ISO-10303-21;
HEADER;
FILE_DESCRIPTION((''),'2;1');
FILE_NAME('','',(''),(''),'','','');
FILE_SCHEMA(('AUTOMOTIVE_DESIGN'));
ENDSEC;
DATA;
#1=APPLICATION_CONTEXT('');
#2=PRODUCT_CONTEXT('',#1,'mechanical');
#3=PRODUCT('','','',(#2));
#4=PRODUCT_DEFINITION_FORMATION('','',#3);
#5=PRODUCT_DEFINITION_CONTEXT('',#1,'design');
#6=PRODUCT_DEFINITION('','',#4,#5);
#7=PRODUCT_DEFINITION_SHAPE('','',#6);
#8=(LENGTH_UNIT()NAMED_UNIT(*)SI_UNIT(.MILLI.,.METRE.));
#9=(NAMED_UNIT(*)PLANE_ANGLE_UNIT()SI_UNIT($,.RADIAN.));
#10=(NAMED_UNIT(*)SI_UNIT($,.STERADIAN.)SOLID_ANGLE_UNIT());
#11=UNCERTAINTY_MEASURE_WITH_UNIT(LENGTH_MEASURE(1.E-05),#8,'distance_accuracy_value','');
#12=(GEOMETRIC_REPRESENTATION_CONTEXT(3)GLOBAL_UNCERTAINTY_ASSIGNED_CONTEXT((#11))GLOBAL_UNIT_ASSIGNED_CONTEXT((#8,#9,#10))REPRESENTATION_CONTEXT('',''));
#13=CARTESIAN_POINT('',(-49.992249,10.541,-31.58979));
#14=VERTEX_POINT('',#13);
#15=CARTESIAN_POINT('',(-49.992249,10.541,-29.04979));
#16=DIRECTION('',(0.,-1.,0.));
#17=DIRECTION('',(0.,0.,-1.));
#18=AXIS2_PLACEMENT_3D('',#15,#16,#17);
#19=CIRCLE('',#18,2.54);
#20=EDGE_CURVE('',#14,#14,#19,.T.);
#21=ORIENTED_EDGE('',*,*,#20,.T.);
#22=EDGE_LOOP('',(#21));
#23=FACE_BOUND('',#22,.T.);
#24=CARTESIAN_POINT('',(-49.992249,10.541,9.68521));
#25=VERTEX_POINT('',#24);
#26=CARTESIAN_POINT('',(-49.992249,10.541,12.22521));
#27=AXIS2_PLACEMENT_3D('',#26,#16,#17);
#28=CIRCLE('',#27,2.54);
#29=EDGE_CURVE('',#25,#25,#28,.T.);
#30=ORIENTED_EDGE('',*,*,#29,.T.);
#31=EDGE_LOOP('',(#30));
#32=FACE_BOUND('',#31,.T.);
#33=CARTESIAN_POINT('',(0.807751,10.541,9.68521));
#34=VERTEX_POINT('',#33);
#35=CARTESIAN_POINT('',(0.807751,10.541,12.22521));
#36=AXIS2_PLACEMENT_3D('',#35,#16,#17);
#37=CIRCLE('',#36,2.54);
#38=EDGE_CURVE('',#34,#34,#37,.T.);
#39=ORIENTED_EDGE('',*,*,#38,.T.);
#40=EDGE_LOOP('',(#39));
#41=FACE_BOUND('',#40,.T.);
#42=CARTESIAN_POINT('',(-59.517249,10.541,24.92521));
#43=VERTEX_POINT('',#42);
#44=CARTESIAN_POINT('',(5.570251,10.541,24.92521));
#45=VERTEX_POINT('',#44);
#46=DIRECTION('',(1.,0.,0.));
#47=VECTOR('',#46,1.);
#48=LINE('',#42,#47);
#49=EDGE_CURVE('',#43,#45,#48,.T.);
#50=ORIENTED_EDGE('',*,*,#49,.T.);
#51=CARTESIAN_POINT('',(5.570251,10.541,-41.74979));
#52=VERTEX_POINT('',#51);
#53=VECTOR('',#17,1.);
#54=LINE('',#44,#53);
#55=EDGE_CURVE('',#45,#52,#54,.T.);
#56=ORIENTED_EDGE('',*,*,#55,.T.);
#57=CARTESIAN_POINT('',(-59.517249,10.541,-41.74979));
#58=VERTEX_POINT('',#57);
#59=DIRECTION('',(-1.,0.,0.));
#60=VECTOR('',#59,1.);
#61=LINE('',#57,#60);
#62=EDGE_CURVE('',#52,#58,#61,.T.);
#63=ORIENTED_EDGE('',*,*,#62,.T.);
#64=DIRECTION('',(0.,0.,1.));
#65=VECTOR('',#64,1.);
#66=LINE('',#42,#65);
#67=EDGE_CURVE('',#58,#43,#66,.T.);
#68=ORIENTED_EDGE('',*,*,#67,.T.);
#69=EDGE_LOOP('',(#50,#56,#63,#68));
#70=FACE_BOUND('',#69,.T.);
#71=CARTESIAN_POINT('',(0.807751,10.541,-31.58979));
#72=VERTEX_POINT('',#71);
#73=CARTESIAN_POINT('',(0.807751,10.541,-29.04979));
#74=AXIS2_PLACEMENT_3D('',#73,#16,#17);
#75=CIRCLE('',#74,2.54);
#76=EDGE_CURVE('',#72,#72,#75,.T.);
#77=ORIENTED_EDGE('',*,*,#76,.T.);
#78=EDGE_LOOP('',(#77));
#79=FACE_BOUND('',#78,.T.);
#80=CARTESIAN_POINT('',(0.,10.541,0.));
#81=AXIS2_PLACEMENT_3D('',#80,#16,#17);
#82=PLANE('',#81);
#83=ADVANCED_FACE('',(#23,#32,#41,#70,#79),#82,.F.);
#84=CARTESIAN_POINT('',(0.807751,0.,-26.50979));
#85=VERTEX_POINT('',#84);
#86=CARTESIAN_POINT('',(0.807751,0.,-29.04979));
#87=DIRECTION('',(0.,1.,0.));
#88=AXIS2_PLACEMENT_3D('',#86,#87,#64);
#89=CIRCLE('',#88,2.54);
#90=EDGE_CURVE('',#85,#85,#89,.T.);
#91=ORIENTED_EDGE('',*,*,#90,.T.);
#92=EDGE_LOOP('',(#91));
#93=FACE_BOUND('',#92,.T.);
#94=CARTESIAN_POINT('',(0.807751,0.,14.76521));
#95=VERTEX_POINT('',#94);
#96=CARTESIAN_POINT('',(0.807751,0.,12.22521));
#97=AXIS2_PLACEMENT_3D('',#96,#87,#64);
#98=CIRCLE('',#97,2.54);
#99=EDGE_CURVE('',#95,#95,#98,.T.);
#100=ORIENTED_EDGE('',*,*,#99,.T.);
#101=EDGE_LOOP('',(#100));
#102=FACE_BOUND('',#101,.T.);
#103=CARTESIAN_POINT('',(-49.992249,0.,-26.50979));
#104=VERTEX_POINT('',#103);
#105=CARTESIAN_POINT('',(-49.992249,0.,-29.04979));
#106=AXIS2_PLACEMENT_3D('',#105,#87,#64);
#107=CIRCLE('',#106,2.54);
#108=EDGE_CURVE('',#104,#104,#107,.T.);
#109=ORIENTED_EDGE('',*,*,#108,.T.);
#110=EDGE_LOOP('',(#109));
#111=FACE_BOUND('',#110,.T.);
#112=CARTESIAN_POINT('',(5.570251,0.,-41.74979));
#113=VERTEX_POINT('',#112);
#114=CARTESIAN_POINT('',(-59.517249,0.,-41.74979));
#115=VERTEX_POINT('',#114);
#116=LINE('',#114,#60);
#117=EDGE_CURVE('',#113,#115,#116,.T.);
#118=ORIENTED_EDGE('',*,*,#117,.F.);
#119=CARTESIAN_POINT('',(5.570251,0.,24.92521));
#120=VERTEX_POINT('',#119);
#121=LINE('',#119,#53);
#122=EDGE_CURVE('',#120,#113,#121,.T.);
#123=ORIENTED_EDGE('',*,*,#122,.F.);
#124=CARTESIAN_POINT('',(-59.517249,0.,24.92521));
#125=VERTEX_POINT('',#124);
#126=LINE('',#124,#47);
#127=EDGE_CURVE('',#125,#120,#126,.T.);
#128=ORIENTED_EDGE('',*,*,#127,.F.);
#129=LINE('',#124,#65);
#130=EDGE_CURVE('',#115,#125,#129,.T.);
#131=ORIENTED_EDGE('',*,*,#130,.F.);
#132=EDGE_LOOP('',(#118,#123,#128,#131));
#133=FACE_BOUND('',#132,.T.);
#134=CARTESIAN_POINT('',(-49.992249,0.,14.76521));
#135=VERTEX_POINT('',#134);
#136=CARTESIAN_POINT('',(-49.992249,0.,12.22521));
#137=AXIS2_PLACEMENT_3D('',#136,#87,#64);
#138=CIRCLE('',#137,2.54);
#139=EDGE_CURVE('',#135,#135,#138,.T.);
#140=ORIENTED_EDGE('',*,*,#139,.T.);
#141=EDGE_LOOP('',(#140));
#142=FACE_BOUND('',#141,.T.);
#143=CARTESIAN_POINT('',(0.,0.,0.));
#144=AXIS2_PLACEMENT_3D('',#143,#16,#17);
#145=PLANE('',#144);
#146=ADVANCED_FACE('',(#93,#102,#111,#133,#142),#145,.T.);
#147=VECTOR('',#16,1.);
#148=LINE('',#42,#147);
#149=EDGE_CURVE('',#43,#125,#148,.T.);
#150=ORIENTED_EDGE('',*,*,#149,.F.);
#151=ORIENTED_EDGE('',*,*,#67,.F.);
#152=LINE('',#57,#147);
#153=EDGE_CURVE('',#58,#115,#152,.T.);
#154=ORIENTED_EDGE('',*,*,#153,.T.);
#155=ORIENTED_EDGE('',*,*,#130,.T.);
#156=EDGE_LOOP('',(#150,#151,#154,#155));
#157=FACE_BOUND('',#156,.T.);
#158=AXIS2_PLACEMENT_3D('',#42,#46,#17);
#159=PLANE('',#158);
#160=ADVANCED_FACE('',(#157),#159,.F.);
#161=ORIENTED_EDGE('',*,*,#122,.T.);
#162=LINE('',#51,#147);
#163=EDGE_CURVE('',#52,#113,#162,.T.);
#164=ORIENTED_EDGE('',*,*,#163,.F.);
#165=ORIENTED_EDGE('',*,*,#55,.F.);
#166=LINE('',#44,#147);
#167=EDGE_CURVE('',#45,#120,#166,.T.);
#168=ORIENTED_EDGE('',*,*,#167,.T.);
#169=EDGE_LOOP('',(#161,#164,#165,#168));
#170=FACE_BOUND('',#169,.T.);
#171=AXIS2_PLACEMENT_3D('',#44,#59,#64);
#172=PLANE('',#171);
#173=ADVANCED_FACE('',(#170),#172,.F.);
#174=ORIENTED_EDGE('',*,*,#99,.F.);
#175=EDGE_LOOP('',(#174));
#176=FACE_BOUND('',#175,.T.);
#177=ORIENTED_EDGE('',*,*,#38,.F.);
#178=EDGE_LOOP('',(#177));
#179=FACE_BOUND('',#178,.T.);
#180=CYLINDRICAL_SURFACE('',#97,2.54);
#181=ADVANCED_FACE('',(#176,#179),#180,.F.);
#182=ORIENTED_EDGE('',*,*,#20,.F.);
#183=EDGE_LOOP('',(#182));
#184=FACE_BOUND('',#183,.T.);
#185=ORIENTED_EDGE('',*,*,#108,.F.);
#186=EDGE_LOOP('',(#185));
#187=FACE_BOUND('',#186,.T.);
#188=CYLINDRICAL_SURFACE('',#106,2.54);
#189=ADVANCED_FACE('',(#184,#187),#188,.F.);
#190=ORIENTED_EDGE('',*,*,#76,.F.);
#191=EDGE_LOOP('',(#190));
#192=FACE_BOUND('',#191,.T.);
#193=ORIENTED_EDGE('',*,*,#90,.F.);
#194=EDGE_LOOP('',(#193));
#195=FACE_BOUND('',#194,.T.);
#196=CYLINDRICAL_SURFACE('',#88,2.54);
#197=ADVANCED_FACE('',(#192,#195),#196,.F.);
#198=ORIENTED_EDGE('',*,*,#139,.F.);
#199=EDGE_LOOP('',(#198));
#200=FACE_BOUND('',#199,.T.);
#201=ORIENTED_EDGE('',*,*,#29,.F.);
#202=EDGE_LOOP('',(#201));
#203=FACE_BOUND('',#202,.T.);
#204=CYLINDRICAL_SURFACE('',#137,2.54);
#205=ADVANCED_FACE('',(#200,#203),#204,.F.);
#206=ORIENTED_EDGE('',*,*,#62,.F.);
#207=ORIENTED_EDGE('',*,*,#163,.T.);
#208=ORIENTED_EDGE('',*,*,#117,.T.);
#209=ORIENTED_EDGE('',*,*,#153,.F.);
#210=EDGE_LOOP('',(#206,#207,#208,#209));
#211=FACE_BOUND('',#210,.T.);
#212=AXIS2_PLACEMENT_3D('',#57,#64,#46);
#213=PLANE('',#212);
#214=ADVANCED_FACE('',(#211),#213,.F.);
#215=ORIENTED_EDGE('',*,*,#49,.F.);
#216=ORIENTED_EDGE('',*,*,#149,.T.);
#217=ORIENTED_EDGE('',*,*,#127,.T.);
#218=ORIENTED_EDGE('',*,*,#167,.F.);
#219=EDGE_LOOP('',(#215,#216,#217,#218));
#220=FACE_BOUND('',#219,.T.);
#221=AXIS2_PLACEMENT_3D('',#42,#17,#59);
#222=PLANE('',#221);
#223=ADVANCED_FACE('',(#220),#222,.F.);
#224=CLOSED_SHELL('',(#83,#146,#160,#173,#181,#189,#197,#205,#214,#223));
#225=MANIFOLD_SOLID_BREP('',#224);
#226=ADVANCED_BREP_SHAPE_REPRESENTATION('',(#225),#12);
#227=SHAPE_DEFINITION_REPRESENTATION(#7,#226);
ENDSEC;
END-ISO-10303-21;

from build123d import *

# Parameters (mm, degrees)
SKETCH1_W               = 65.0875
SKETCH1_H               = 66.675
BOSS_EXTRUDE2_DEPTH     = 10.541
CUT_EXTRUDE1_DEPTH      = 74.460605516
CUT_EXTRUDE1_DEPTH_BACK = 74.460605516
SKETCH3_R               = 2.54


with BuildPart() as part:
    # Sketch1 → Boss-Extrude2 (new body)
    with BuildSketch(Plane(origin=(0, 0, 0), x_dir=(1, 0, 0), z_dir=(0, 1, 0))):
        with Locations((-26.973498692, 8.412290298)):
            Rectangle(SKETCH1_W, SKETCH1_H)
    extrude(amount=BOSS_EXTRUDE2_DEPTH)

    # Sketch3 → Cut-Extrude1 (cut, two sides: drawn at the far end of the back side and taken through both)
    with BuildSketch(Plane(origin=(0, 10.541, 0), x_dir=(1, 0, 0), z_dir=(0, 1, 0)).offset(-CUT_EXTRUDE1_DEPTH_BACK)):
        with Locations(Location((-49.992248692, 29.049790298, 0), (0, 0, 270))):
            Circle(SKETCH3_R)
        with Locations(Location((0.807751308, 29.049790298, 0), (0, 0, 270))):
            Circle(SKETCH3_R)
        with Locations(Location((-49.992248692, -12.225209702, 0), (0, 0, 270))):
            Circle(SKETCH3_R)
        with Locations(Location((0.807751308, -12.225209702, 0), (0, 0, 270))):
            Circle(SKETCH3_R)
    extrude(amount=CUT_EXTRUDE1_DEPTH + CUT_EXTRUDE1_DEPTH_BACK, mode=Mode.SUBTRACT)


solid = part.part
